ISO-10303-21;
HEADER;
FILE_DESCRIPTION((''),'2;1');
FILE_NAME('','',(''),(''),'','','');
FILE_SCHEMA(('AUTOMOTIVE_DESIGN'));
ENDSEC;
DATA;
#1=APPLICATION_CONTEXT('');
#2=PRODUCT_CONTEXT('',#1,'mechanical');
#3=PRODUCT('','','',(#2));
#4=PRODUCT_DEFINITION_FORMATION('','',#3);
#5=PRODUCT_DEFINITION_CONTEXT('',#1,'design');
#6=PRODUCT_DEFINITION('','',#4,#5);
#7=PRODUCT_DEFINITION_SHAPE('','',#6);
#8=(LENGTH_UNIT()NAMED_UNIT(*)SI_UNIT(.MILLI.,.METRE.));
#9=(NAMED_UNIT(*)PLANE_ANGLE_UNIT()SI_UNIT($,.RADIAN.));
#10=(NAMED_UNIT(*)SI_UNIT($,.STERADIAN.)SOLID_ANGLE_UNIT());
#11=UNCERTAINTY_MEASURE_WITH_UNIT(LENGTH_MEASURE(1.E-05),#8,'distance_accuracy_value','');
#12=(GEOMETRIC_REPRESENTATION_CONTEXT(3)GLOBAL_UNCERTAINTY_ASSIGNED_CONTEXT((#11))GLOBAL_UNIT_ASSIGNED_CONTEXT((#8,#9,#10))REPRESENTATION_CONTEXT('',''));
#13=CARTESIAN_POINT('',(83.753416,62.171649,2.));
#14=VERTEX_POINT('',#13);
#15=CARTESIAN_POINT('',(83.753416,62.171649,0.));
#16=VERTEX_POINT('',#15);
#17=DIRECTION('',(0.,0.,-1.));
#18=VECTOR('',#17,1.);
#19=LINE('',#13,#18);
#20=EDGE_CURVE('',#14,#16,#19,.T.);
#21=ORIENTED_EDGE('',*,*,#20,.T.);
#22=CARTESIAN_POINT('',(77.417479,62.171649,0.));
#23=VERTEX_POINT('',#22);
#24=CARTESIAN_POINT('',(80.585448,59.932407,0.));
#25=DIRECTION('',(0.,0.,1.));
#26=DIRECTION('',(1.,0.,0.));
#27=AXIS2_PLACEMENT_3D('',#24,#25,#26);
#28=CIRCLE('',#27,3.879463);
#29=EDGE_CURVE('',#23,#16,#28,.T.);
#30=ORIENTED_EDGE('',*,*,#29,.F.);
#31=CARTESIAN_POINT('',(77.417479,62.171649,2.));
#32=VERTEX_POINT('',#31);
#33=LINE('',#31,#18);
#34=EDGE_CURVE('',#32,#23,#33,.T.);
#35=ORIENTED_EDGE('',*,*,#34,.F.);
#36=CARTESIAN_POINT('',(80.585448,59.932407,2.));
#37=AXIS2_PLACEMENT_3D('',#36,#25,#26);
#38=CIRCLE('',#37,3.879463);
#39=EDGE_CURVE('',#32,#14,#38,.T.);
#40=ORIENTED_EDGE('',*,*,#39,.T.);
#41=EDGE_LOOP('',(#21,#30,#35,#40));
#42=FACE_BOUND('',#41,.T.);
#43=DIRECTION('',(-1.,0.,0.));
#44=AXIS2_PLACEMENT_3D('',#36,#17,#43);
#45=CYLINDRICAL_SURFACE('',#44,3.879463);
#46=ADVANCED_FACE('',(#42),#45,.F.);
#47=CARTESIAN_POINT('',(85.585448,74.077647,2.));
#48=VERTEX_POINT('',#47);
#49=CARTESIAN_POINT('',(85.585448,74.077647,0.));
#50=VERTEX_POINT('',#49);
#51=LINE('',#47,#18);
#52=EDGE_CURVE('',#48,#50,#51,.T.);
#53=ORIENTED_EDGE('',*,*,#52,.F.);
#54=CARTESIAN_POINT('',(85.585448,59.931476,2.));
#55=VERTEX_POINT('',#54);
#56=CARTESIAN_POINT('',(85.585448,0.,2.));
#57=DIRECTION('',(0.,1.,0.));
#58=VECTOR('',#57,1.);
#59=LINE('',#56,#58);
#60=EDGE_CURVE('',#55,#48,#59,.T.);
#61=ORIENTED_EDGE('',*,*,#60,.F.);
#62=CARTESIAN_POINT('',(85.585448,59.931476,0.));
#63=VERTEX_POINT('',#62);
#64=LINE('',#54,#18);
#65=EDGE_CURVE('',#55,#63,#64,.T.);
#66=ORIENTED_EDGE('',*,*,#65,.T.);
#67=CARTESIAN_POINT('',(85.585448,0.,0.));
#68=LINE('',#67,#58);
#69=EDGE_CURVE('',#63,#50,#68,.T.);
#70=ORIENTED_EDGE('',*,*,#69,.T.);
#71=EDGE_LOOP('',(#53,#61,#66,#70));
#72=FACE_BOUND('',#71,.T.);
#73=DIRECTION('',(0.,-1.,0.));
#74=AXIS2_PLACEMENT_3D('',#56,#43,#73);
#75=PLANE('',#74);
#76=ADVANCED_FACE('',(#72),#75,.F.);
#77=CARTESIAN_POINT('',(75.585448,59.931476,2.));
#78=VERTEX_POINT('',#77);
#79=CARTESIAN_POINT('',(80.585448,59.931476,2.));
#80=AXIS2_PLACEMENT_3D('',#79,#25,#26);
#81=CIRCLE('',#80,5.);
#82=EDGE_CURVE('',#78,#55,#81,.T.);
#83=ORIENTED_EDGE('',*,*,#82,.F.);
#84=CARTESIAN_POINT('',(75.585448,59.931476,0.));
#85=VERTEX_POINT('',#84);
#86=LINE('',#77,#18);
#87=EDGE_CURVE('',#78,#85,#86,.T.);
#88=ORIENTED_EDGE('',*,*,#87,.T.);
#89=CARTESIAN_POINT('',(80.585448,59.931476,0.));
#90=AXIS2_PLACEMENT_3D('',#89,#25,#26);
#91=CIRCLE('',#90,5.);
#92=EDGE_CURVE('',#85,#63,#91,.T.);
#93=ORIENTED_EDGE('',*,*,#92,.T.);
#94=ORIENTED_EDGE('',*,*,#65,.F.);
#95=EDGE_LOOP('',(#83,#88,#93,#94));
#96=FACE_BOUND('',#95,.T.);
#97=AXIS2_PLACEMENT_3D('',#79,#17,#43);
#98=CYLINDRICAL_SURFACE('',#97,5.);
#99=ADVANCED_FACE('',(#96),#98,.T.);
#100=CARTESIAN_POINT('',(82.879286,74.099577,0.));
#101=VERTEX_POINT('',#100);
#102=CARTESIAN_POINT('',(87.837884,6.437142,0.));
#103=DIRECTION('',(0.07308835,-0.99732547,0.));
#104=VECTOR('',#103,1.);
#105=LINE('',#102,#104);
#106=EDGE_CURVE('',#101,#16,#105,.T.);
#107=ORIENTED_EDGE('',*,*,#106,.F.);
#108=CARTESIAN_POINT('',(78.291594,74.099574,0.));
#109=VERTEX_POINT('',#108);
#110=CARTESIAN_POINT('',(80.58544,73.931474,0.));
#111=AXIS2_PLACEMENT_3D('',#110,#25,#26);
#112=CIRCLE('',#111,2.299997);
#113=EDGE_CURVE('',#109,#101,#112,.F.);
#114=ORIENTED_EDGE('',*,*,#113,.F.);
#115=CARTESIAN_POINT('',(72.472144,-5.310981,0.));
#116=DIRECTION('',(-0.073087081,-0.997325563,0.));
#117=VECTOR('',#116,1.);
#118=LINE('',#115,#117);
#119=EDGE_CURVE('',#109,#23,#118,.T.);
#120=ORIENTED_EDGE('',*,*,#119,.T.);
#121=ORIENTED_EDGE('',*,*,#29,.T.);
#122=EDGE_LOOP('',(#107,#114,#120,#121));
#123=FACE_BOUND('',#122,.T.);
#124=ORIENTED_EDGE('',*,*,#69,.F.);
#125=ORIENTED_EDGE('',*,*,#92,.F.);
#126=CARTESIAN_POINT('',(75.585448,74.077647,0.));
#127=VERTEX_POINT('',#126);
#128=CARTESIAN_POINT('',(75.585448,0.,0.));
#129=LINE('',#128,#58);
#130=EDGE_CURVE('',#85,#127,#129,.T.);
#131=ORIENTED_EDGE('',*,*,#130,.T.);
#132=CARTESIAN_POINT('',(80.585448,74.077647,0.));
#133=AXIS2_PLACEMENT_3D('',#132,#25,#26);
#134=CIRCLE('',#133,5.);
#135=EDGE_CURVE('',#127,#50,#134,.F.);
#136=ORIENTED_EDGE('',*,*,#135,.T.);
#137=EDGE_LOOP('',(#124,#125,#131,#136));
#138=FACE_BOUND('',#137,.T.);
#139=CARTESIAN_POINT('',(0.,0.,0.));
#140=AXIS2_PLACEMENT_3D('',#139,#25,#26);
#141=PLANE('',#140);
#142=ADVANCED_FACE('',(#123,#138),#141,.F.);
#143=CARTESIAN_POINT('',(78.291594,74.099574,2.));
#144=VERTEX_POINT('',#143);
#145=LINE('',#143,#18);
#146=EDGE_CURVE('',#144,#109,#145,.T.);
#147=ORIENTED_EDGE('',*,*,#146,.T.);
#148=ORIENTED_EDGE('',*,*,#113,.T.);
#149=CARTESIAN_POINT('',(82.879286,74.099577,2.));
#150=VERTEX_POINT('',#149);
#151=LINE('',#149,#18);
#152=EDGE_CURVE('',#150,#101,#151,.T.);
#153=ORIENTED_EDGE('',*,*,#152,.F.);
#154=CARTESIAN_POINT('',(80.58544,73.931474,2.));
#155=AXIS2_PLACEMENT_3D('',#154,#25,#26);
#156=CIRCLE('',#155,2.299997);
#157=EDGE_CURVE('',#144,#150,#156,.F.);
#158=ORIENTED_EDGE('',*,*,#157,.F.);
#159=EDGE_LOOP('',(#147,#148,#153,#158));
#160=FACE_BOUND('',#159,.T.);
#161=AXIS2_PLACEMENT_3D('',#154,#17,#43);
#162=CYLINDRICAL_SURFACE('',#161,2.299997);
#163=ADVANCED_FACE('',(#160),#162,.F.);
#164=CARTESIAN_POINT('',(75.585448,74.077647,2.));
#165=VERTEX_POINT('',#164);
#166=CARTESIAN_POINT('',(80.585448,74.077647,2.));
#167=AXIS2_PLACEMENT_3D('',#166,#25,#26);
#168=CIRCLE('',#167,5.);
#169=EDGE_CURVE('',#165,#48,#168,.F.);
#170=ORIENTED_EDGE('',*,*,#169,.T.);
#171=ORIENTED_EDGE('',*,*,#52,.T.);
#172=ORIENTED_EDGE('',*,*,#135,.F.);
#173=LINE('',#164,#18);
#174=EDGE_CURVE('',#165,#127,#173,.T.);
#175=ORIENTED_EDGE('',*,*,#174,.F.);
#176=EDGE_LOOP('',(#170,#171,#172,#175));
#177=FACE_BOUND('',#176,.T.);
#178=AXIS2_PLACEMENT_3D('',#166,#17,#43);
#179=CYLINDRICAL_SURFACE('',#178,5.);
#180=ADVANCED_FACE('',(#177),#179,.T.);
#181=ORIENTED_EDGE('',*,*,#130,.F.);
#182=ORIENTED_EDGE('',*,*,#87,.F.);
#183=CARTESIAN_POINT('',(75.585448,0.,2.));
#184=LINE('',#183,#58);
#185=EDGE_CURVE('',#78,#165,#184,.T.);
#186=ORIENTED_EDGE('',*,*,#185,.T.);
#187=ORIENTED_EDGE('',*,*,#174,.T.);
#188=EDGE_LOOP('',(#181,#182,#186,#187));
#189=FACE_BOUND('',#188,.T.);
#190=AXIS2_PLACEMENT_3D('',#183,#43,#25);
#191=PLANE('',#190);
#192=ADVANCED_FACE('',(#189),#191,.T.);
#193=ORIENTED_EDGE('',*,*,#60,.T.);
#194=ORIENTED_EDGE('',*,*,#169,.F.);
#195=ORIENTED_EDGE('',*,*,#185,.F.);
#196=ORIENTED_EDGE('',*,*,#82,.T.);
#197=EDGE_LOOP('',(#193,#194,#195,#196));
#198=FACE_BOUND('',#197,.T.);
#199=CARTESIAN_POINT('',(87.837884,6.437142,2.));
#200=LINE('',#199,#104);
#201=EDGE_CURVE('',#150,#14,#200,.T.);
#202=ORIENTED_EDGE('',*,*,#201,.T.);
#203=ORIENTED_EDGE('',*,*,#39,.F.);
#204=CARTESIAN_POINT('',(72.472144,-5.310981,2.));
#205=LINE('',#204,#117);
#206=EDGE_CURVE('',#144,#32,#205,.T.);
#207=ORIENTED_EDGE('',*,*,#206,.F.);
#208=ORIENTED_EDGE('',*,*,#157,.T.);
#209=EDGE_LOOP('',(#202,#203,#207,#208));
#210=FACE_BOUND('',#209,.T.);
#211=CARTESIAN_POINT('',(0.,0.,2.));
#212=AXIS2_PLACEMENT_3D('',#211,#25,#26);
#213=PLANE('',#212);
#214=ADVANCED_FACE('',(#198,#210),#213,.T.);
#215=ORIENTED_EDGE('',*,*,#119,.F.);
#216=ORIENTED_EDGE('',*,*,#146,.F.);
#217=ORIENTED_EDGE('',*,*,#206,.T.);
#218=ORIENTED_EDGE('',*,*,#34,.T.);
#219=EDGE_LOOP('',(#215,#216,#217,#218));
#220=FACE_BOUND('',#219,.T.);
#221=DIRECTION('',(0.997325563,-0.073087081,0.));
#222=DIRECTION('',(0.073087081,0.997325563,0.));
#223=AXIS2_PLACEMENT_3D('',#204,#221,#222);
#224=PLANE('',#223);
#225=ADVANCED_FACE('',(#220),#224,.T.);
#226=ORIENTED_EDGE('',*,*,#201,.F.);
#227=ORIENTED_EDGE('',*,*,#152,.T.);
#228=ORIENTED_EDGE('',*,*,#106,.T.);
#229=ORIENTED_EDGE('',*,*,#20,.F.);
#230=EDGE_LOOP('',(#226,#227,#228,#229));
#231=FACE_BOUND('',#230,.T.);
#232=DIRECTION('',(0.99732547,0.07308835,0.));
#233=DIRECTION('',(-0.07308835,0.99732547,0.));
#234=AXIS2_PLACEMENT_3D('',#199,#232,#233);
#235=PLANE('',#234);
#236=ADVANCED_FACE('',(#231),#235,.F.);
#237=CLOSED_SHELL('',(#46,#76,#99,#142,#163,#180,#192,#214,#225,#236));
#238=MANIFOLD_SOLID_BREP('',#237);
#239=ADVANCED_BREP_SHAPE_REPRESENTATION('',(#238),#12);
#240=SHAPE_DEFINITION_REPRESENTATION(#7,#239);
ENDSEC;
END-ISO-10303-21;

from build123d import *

# Parameters (mm, degrees)
BOSS_EXTRUDE1_DEPTH = 2


with BuildPart() as part:
    # Sketch1 → Boss-Extrude1 (new body)
    with BuildSketch(Plane.XY):
        with BuildLine():
            Line((75.585447554, 59.931475915), (75.585447554, 74.077647485))
            ThreePointArc((75.585447554, 74.077647485), (80.585447554, 79.077647485), (85.585447554, 74.077647485))
            Line((85.585447554, 74.077647485), (85.585447554, 59.931475915))
            ThreePointArc((85.585447554, 59.931475915), (80.585447554, 54.931475915), (75.585447554, 59.931475915))
        make_face()
        with BuildLine():
            Line((78.291593741, 74.09957403), (77.417478776, 62.171649257))
            ThreePointArc((77.417478776, 62.171649257), (80.585447576, 56.052944097), (83.753416376, 62.171649257))
            Line((83.753416376, 62.171649257), (82.879285937, 74.099576949))
            ThreePointArc((82.879285937, 74.099576949), (80.585438483, 76.231471338), (78.291593741, 74.09957403))
        make_face(mode=Mode.SUBTRACT)
    extrude(amount=BOSS_EXTRUDE1_DEPTH)


solid = part.part
